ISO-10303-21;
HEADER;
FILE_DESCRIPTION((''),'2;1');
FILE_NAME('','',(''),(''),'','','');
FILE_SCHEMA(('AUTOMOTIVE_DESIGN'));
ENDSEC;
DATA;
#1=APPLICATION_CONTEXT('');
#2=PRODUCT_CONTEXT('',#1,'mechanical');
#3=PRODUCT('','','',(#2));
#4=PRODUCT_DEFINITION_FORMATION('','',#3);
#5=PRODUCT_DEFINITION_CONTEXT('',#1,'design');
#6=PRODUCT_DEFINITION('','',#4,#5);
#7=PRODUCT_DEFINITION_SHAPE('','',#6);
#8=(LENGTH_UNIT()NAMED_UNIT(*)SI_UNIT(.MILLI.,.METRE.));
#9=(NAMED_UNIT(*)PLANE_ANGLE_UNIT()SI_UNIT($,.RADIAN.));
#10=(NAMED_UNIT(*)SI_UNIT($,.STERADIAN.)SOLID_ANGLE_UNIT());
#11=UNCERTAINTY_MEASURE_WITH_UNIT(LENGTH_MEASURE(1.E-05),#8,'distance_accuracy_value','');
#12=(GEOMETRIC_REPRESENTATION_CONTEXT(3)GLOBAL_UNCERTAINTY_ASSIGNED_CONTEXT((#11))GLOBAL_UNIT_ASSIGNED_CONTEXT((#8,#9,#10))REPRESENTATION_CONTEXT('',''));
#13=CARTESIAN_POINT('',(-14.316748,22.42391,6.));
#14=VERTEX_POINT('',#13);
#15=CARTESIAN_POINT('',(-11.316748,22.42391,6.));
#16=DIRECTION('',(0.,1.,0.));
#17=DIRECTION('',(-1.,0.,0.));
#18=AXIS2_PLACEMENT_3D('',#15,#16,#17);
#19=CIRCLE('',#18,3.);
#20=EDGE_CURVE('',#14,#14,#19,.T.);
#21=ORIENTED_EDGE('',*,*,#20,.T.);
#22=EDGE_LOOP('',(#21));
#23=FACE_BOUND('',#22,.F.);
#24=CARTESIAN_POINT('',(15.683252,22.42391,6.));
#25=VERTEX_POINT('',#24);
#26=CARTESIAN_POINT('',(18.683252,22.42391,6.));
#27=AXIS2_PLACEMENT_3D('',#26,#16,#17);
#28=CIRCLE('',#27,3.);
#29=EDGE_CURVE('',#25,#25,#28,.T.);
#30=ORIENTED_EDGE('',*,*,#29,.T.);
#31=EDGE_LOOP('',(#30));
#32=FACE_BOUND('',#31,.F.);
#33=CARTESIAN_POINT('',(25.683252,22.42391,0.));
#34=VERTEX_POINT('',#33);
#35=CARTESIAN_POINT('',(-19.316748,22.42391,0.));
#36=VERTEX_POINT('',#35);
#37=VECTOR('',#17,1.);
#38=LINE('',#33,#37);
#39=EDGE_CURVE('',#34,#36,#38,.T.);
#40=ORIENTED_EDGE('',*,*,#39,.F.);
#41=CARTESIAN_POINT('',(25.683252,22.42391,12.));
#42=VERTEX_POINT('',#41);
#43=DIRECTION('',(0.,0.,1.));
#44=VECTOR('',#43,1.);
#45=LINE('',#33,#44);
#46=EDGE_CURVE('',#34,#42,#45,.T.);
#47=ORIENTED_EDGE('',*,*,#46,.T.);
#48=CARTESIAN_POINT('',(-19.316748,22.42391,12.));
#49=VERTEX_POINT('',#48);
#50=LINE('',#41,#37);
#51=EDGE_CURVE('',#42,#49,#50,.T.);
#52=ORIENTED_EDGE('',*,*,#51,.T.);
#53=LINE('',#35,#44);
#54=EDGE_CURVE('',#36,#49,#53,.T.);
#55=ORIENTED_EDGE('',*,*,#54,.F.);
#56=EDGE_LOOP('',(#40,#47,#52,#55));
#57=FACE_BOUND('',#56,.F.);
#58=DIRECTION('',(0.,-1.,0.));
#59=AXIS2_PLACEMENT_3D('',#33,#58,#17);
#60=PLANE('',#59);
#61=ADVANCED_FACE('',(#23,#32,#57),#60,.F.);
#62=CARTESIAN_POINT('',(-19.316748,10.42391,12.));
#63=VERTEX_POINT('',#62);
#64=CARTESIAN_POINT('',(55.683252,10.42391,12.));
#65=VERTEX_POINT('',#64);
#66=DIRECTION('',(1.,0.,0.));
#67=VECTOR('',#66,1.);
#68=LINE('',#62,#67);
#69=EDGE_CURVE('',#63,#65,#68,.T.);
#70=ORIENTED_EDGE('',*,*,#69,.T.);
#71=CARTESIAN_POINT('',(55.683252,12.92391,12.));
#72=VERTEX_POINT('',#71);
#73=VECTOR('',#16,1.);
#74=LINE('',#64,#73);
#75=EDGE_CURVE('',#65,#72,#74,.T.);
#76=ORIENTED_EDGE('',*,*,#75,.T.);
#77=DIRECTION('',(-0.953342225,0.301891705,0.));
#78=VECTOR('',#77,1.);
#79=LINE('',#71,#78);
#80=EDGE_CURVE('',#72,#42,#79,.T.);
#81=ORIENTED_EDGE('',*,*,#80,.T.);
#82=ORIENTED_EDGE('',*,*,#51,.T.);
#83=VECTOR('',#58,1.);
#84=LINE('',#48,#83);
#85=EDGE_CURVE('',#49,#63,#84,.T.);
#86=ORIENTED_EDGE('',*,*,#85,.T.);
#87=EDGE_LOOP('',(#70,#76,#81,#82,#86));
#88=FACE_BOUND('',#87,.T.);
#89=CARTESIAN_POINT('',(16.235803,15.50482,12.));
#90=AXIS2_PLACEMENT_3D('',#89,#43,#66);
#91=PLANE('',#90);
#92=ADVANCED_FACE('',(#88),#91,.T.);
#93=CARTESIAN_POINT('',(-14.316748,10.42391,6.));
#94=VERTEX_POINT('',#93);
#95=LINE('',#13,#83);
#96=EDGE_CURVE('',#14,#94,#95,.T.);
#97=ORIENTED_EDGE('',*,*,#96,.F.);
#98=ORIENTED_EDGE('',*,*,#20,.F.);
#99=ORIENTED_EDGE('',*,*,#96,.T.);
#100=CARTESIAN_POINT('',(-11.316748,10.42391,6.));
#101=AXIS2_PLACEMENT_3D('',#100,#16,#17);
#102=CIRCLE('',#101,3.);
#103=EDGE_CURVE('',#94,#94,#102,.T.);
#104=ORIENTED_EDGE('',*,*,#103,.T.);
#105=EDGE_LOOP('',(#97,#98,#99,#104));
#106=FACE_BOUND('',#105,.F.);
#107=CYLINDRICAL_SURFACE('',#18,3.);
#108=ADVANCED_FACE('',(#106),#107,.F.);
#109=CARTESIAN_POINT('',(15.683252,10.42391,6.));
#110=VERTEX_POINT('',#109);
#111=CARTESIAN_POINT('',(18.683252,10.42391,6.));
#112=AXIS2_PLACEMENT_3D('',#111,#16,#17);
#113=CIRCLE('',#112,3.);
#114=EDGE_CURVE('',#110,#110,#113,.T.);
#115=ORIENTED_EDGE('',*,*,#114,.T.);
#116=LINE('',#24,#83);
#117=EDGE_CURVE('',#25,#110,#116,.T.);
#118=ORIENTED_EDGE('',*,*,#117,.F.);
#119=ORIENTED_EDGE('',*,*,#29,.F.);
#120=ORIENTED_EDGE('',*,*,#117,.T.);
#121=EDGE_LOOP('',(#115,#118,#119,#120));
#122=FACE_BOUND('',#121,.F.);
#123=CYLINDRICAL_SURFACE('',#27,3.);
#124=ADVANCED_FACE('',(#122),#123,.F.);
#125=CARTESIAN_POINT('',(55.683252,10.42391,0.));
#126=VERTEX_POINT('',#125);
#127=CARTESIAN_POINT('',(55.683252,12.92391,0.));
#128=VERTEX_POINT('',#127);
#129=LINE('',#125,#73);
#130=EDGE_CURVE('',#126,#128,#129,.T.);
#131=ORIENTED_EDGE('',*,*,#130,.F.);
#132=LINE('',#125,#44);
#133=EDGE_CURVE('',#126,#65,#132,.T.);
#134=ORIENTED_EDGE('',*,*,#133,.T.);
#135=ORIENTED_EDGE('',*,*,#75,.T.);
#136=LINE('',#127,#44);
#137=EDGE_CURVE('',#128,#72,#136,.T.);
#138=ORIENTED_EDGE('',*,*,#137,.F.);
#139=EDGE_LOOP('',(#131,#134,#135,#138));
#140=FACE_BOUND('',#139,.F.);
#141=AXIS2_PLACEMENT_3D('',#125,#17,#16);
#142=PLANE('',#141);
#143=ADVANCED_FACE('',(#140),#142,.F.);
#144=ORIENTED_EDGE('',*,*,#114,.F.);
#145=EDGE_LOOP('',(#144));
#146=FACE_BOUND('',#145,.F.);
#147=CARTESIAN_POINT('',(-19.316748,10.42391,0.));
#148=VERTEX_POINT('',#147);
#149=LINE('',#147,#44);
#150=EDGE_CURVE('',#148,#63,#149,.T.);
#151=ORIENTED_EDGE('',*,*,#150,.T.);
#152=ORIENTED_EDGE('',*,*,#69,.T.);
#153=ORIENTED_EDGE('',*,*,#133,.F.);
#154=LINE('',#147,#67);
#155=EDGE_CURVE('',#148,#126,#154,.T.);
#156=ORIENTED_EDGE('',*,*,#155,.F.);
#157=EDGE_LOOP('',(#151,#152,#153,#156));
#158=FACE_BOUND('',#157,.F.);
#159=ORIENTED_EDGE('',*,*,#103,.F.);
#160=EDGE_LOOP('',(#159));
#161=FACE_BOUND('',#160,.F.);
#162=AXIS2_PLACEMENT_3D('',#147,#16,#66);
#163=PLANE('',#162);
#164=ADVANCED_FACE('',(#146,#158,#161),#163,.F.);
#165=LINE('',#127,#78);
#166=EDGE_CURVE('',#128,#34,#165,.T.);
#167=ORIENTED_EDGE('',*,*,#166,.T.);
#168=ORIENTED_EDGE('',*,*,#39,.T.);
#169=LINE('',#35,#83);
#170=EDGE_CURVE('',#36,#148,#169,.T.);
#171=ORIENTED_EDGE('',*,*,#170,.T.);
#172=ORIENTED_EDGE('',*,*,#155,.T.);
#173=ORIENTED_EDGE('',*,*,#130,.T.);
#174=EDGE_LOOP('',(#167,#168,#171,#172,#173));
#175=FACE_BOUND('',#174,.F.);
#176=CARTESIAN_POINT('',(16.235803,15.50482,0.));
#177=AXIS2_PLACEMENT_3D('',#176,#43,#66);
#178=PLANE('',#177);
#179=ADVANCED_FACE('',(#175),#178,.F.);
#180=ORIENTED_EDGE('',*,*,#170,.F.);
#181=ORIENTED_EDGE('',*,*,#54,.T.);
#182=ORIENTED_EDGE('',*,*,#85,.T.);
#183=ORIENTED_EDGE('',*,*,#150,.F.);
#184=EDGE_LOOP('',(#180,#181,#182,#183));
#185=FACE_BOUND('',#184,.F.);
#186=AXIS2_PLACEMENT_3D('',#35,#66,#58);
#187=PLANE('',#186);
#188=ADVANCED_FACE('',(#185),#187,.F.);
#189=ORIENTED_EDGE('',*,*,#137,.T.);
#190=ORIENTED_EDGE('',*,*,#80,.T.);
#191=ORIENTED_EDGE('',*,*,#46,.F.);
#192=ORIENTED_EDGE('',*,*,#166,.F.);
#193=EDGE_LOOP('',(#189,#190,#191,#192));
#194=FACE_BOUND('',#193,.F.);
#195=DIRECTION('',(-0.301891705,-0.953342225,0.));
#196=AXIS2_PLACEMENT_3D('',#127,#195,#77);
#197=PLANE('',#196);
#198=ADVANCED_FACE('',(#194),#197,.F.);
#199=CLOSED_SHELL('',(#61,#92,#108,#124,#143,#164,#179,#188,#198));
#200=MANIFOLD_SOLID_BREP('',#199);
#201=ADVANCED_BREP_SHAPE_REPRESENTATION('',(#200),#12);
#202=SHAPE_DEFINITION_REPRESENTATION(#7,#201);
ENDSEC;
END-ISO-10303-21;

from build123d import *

# Parameters (mm, degrees)
F1_DEPTH = 12
F2_R     = 3
F3_DEPTH = 12.001


with BuildPart() as f1:
    # F0 (on Top) → F1 (new body)
    with BuildSketch(Plane.XY):
        Polygon((25.683252, 22.42391), (-19.316748, 22.42391), (-19.316748, 10.42391), (55.683252, 10.42391), (55.683252, 12.92391), align=None)
    extrude(amount=F1_DEPTH)

    # F2 (on face) → F3 (cut, through all)
    with BuildSketch(Plane(origin=(0, 22.42391, 0), x_dir=(-1, 0, 0), z_dir=(0, 1, 0))):
        with Locations((-18.683252, 6)):
            Circle(F2_R)
        with Locations((11.316748, 6)):
            Circle(F2_R)
    extrude(amount=-F3_DEPTH, mode=Mode.SUBTRACT)


solid = f1.part
